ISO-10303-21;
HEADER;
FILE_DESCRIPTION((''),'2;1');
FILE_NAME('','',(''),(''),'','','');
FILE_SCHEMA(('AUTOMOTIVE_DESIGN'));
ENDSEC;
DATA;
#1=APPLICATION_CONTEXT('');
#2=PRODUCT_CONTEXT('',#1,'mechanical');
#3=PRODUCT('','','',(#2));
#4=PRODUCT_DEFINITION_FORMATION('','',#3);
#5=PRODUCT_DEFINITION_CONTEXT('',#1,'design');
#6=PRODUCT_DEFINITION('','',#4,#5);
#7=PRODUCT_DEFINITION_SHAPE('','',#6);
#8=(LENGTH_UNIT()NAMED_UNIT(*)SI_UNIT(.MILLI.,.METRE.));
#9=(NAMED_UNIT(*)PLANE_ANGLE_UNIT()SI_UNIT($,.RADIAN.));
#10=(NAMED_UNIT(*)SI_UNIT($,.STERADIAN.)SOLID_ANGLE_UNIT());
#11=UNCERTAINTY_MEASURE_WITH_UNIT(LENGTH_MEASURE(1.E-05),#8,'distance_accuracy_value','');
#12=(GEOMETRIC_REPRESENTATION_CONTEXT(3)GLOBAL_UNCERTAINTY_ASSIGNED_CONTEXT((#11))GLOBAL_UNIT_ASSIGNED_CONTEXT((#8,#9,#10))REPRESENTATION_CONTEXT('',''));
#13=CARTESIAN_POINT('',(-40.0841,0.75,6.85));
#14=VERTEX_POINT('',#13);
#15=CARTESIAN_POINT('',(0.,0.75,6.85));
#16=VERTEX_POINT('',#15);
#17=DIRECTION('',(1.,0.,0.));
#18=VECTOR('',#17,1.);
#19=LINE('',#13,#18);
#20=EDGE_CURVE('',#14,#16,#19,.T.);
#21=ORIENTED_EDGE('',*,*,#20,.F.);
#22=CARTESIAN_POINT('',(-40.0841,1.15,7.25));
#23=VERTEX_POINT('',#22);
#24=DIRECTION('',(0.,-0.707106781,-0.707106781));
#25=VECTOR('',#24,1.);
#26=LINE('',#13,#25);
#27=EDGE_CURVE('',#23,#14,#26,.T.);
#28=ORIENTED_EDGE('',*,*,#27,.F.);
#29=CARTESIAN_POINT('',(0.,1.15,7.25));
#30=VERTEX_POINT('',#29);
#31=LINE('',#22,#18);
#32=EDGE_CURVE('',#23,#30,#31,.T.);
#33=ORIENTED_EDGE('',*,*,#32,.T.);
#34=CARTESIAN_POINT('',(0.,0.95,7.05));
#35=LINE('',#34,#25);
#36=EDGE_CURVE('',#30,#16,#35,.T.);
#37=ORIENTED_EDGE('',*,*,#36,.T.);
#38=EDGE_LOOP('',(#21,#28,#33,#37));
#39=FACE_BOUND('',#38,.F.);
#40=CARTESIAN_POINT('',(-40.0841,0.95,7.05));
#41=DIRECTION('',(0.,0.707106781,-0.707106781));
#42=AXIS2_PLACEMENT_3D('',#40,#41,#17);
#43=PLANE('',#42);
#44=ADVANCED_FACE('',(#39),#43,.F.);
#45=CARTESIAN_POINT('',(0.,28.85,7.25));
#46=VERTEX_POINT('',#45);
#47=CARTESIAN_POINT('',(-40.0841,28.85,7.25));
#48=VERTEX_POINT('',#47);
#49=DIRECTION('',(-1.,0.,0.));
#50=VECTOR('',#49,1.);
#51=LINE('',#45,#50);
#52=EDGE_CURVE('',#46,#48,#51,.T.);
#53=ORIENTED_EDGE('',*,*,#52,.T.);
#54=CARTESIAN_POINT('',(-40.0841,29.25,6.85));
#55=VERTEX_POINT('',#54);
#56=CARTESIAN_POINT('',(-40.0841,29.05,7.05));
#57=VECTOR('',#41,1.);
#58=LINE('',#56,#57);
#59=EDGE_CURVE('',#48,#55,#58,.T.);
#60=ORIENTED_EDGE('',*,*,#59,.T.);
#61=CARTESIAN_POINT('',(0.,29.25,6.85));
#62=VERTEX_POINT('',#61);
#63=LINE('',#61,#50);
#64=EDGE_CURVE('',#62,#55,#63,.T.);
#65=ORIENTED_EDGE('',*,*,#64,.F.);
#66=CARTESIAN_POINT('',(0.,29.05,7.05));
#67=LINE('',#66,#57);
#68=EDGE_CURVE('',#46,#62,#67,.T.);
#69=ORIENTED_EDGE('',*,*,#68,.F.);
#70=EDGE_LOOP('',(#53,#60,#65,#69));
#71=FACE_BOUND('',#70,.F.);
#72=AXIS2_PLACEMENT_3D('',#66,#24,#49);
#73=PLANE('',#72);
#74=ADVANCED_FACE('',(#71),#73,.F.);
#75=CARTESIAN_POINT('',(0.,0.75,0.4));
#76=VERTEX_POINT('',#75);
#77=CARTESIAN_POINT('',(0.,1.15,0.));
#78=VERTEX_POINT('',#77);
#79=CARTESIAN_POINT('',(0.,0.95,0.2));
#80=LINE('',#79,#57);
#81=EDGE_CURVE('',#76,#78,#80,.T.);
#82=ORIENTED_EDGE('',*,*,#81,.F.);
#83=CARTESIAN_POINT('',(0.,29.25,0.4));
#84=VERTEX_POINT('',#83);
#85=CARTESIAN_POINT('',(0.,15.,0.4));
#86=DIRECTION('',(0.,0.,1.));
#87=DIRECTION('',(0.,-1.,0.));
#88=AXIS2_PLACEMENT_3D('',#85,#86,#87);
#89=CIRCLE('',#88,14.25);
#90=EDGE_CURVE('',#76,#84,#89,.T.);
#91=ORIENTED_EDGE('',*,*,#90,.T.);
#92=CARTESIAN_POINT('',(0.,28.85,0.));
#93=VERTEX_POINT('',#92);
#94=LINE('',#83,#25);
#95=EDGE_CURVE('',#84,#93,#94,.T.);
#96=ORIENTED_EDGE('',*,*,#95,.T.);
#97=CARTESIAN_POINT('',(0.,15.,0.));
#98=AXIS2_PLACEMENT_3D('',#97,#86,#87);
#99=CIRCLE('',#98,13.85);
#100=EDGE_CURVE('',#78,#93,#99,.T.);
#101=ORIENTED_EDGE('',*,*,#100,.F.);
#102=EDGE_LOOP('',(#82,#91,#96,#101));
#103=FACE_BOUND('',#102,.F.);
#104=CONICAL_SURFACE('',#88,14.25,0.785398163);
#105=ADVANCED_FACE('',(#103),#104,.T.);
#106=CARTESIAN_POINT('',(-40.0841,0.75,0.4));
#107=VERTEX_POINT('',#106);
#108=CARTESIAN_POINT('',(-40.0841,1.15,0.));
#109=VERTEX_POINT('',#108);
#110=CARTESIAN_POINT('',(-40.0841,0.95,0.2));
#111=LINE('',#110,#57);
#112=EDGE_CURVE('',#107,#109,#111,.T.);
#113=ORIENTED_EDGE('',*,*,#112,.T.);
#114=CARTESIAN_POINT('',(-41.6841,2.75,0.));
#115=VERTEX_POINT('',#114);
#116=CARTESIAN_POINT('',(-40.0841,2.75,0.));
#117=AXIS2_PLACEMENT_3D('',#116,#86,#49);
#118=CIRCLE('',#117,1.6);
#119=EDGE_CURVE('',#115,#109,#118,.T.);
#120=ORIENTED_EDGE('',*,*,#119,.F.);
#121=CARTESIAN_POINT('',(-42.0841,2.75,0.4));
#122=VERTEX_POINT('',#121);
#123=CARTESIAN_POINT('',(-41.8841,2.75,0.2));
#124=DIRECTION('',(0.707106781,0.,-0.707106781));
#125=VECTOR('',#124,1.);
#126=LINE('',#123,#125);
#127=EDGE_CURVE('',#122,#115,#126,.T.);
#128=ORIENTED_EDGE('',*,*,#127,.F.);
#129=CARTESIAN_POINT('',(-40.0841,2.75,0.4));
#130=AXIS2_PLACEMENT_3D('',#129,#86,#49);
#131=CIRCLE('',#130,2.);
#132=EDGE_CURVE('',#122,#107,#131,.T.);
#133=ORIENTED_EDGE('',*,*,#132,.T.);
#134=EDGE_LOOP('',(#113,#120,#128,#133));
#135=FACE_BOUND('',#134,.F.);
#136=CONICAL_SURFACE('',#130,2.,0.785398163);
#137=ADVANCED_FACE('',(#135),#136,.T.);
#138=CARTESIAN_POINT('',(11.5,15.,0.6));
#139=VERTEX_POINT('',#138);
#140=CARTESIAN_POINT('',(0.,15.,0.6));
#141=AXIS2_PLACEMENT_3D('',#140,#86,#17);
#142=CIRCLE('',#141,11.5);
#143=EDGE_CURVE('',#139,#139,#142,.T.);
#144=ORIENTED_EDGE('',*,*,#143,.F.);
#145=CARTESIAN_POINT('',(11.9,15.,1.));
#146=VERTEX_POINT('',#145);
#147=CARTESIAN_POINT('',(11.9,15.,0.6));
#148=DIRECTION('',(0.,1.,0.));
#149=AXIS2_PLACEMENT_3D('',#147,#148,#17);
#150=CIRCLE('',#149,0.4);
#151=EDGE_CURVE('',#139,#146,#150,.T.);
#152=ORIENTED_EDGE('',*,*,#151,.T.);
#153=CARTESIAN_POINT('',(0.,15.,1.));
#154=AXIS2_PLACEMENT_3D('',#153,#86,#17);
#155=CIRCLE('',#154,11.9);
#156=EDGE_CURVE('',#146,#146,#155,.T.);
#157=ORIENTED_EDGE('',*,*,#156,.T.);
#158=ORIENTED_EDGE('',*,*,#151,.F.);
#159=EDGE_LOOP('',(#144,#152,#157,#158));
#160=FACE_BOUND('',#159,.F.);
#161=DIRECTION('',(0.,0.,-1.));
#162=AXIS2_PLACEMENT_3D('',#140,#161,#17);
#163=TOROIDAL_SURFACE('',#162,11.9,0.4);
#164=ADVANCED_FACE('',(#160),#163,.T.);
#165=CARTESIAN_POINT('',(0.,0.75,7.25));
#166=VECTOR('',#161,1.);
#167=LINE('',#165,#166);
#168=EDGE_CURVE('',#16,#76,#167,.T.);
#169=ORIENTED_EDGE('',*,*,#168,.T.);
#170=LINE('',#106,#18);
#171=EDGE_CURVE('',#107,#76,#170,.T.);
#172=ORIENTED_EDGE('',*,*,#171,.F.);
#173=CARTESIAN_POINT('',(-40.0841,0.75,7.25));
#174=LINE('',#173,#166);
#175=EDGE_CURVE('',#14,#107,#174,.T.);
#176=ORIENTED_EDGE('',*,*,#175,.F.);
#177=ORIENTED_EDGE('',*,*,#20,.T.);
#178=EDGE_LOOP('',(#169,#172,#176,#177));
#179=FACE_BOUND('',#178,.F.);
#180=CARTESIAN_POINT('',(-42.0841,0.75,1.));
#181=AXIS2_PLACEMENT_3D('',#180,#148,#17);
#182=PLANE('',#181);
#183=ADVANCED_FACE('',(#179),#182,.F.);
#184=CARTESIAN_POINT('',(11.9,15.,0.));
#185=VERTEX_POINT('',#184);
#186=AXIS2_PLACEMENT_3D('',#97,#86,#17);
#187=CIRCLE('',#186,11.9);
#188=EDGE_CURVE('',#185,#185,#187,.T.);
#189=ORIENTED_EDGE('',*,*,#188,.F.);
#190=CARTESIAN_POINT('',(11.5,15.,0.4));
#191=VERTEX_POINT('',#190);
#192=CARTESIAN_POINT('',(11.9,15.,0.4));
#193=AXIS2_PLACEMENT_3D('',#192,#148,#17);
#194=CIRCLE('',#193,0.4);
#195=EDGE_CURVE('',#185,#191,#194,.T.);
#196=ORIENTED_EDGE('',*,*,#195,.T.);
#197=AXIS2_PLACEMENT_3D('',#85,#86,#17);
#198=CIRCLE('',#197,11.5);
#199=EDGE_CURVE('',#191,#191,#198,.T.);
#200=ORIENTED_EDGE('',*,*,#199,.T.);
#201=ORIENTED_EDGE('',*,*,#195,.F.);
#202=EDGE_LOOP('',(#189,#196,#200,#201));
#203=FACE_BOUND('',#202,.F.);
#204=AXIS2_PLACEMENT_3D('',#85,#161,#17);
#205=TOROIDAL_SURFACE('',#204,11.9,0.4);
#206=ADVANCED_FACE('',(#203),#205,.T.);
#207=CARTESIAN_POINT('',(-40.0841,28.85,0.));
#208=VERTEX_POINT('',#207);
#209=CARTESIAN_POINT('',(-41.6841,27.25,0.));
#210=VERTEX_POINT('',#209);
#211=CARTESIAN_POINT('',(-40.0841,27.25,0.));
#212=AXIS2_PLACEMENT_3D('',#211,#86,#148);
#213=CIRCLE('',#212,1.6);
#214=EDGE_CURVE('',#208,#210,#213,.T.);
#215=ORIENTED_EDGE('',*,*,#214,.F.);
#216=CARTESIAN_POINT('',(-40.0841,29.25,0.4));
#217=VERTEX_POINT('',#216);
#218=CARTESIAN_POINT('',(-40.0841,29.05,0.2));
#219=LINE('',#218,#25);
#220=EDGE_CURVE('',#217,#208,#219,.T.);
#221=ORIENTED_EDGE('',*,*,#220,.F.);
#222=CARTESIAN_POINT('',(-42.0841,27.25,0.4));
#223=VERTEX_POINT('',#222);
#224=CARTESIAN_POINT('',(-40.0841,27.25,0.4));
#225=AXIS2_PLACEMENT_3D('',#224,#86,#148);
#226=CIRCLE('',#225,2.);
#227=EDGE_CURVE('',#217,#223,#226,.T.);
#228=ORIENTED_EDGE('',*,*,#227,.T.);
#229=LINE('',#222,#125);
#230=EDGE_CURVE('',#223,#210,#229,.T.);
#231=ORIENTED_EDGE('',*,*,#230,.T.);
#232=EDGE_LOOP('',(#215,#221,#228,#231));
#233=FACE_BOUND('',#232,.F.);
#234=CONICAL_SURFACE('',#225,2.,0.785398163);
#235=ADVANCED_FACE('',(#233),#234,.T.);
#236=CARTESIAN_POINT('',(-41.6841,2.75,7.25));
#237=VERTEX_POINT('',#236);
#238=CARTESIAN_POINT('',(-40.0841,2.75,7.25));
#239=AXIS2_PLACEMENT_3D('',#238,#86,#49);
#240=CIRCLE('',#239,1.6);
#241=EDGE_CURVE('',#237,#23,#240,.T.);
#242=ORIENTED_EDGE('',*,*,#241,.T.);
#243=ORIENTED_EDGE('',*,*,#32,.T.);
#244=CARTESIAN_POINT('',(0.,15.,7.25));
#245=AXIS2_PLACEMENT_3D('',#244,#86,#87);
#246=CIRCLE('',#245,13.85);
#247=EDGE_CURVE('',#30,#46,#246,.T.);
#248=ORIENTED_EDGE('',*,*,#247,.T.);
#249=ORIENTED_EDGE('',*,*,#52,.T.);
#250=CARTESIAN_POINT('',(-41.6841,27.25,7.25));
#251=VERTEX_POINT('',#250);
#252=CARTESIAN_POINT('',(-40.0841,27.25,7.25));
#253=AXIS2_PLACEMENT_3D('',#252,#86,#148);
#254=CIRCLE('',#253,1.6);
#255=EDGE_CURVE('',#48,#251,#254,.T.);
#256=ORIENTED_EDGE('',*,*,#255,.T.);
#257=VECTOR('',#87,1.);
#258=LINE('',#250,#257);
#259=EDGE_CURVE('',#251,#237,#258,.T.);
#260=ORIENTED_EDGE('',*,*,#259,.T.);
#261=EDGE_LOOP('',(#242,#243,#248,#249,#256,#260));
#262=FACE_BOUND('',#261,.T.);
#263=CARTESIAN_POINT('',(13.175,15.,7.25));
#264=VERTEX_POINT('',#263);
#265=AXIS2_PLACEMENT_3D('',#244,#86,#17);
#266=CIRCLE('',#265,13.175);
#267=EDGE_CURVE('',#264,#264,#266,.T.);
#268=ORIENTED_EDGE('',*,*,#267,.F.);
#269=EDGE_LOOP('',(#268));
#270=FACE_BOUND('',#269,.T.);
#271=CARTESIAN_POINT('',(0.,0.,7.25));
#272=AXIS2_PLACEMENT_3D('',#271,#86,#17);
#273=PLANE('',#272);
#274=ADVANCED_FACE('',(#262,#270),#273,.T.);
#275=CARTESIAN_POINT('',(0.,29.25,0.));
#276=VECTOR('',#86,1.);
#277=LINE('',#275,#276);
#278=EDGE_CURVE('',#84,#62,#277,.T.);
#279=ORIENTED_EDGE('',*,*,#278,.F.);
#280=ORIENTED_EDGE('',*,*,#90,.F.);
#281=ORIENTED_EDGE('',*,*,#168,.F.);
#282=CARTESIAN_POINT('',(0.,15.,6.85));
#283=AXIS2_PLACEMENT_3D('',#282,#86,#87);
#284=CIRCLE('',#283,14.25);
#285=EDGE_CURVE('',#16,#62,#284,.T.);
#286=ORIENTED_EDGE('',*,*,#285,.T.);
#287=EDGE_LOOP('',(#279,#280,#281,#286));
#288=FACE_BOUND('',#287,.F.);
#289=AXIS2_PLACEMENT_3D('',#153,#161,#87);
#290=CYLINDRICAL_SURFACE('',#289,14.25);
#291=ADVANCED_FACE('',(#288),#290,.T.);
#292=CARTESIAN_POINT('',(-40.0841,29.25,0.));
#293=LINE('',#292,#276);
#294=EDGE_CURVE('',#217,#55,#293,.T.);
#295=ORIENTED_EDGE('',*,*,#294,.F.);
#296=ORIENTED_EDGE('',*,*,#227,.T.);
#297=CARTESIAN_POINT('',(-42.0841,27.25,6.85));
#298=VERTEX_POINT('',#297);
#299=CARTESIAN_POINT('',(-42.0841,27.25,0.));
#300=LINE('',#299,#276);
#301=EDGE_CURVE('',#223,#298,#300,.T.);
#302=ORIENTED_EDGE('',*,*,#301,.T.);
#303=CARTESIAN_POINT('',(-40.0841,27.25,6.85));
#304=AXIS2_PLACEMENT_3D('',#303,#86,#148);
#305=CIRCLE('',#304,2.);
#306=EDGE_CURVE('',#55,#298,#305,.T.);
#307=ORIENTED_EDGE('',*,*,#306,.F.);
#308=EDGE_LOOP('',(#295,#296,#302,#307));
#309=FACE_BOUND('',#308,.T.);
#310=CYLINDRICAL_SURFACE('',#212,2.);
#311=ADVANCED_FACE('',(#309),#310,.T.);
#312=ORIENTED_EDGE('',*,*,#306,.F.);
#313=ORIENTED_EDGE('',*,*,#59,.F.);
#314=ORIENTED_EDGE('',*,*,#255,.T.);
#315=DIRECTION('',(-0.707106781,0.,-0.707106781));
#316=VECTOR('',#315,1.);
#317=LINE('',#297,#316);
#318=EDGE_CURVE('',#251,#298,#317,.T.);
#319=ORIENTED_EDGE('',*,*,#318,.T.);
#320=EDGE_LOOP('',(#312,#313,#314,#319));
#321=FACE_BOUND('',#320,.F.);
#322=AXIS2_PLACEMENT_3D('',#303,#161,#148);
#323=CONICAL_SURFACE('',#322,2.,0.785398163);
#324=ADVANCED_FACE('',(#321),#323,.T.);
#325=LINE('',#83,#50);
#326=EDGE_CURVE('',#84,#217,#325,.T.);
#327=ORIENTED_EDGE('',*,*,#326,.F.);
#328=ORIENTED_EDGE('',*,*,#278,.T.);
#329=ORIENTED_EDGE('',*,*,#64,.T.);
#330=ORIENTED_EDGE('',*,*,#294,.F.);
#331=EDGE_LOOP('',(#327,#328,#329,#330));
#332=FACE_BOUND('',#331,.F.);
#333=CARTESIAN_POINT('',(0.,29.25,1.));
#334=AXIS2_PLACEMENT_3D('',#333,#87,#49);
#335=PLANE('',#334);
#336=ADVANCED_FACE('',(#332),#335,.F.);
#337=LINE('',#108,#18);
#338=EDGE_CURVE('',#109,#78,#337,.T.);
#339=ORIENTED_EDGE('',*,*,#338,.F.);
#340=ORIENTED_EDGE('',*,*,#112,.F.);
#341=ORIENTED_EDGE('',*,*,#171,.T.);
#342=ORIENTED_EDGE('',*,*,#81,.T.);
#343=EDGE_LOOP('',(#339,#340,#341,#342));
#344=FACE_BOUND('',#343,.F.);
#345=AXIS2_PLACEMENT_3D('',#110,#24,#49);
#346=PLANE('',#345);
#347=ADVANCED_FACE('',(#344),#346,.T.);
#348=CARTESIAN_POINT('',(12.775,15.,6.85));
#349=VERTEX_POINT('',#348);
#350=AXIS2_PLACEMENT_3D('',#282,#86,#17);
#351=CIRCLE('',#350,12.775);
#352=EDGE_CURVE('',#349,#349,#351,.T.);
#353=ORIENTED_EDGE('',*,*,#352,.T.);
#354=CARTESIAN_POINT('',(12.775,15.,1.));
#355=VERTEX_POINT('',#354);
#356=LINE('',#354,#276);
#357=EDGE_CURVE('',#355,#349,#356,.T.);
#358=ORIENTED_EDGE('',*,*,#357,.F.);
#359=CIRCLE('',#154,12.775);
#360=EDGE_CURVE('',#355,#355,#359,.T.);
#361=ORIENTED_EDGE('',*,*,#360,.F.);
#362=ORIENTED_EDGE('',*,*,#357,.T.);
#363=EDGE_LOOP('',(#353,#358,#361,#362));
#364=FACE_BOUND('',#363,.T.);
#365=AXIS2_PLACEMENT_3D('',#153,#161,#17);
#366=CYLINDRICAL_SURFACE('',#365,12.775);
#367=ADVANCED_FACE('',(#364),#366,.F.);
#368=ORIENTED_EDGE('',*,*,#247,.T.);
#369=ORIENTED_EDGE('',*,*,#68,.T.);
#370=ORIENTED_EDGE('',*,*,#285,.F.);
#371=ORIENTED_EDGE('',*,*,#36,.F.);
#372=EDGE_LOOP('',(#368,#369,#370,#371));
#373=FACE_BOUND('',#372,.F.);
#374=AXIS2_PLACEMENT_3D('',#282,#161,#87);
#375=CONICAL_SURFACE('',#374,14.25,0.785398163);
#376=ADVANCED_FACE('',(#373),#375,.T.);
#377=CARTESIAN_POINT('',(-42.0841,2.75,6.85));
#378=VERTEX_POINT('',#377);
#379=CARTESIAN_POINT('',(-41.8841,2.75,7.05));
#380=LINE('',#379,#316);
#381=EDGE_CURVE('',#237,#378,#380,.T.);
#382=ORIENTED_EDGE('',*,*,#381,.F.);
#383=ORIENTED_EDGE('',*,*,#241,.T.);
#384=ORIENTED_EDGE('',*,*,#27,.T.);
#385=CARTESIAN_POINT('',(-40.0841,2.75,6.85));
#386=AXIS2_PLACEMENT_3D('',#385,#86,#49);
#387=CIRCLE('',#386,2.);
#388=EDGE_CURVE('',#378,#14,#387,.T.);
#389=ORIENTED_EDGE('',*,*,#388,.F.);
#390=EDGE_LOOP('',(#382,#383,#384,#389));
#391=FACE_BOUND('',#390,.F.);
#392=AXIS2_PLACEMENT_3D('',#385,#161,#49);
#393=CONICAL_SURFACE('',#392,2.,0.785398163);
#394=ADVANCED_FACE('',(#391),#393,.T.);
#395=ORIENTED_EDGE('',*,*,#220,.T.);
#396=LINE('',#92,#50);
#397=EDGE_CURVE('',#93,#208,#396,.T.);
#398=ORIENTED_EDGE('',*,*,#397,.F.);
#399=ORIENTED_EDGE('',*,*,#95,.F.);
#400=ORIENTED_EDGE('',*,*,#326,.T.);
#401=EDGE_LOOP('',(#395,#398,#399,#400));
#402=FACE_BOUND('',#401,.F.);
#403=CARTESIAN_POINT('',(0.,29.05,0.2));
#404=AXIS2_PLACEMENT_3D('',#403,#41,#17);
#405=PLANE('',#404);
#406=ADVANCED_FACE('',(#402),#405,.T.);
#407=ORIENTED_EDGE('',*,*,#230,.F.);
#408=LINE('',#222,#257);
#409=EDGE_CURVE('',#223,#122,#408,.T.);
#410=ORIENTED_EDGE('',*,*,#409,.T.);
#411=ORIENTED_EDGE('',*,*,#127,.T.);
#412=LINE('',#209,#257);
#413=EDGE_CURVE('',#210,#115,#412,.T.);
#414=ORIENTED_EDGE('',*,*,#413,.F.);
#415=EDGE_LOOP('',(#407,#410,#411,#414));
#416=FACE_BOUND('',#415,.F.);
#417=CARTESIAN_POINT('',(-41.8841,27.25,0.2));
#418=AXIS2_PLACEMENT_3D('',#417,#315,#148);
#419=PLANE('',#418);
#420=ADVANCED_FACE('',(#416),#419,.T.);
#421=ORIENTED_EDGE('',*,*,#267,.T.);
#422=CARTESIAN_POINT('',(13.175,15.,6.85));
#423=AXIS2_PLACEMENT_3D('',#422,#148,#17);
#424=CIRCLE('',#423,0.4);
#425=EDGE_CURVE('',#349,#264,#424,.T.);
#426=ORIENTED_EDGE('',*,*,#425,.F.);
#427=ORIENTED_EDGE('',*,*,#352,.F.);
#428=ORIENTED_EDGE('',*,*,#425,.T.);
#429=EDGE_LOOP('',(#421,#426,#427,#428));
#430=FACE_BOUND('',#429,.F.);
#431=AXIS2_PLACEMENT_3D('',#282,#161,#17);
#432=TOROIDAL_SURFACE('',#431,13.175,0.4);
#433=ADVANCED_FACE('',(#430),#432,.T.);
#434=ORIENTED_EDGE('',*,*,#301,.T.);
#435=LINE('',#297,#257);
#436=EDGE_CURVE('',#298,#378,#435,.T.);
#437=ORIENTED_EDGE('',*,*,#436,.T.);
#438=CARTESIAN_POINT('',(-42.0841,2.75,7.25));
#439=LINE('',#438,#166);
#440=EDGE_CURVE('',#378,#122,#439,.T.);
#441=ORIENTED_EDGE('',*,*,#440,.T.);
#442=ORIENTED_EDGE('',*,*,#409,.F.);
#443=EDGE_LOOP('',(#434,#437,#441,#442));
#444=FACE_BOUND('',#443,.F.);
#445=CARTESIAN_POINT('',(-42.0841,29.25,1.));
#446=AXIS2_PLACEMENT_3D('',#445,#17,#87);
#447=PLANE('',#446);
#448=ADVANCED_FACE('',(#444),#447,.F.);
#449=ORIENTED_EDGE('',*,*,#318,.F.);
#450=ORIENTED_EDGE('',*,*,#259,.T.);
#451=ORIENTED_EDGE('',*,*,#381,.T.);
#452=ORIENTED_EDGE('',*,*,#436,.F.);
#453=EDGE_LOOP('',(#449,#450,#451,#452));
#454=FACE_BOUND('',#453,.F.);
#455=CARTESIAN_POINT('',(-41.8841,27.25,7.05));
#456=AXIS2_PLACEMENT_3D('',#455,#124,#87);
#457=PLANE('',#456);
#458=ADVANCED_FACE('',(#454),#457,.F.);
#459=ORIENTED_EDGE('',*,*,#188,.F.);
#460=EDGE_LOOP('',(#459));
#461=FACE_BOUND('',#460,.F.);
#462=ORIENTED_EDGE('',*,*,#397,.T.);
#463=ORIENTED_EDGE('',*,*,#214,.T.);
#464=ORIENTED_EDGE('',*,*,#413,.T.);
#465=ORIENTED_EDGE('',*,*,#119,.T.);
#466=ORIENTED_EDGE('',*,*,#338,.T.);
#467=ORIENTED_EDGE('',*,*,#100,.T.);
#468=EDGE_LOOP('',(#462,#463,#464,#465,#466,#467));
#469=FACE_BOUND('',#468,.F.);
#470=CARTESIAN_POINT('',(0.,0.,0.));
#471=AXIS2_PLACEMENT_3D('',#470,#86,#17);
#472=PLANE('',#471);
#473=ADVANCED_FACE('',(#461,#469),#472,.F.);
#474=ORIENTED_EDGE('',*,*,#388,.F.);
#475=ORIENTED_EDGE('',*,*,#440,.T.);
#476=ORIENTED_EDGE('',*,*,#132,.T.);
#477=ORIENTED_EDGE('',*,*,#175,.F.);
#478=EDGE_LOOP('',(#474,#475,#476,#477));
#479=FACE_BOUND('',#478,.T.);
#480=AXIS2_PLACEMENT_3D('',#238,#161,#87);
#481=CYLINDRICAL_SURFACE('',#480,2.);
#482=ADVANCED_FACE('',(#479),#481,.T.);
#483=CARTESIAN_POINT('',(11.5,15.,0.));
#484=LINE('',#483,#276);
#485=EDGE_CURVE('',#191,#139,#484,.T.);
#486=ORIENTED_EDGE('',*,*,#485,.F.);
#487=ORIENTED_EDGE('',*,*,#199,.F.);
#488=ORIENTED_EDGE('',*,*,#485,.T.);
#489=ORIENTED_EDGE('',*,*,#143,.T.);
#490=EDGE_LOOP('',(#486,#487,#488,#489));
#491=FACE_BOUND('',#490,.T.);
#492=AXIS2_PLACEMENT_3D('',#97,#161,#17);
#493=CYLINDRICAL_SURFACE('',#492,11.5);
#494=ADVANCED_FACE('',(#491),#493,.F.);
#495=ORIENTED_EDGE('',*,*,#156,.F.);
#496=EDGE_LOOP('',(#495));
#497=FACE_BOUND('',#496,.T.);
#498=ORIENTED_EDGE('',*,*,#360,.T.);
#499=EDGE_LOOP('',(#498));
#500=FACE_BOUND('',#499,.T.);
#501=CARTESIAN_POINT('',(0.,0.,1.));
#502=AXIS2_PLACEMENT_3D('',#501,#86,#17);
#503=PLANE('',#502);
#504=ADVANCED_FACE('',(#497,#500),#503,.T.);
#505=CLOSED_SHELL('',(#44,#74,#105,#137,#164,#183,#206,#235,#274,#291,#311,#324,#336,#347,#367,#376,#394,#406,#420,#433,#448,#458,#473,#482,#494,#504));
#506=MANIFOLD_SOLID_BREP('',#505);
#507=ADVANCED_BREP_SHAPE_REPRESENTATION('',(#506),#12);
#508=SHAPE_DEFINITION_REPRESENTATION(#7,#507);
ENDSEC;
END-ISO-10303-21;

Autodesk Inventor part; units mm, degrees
ref_plane "YZ Plane" through (0, 0, 0) normal (1, 0, 0) x (0, 1, 0)
ref_plane "XZ Plane" through (0, 0, 0) normal (0, 1, 0) x (-1, 0, 0)
ref_plane "XY Plane" through (0, 0, 0) normal (0, 0, 1) x (1, 0, 0)
ref_plane "Work Plane1" through (0, 0, 0) normal (0, 0, 1) x (1, 0, 0)
sketch "Sketch1" plane through (0, 0, 0) normal (0, 0, 1) x (1, 0, 0)
  arc A0 (-18.155, 30) -> (-18.155, 0) centre (0, 15) ccw construction
  line L0 (-18.155, 0) -> (-3.4871, 0) construction
  line L1 (-18.155, 30) -> (-3.4871, 30) construction
  circle A1 centre (0, 15) radius 15.4 construction
  arc A2 (-6.5238, 29.25) -> (-6.5238, 0.75) centre (0, 15) ccw construction
  line L2 (-6.5238, 0.75) -> (-17.7982, 0.75) construction
  arc A3 (-17.7982, 29.25) -> (-17.7982, 0.75) centre (0, 15) ccw construction
  line L3 (-17.7982, 29.25) -> (-6.5238, 29.25) construction
  circle A4 centre (0, 15) radius 12.775 construction
  line L4 (-6.5238, 29.25) -> (0, 29.25) construction
  line L5 (-6.5238, 0.75) -> (0, 0.75) construction
  arc A5 (0, 0.75) -> (0, 29.25) centre (0, 15) ccw construction
  line L6 (-42.0841, 29.25) -> (-42.0841, 0.75)
  line L7 (-42.0841, 0.75) -> (0, 0.75)
  line L8 (-42.0841, 29.25) -> (0, 29.25)
  circle A6 centre (0, 15) radius 11.5
  arc A7 (0, 0.75) -> (0, 29.25) centre (0, 15) ccw
  arc A8 (-3.4871, 0) -> (3.4871, 0) centre (0, 15) ccw
  line L9 (3.4871, 0) -> (18, 0)
  line L10 (18, 0) -> (18, 30)
  line L11 (3.4871, 30) -> (18, 30)
  arc A9 (3.4871, 30) -> (-3.4871, 30) centre (0, 15) ccw
  line L12 (-7.3927, 28.5095) -> (7.3927, 28.5095)
  arc A10 (7.3927, 1.4905) -> (7.3927, 28.5095) centre (0, 15) ccw
  line L13 (7.3927, 1.4905) -> (-7.3927, 1.4905)
  arc A11 (-7.3927, 28.5095) -> (-7.3927, 1.4905) centre (0, 15) ccw
  point P0 (0, 0)
  dimension "d0" = 0.75
  dimension "d1" = 25.55
  dimension "d2" = 23
extrude "Extrusion1" add sketch "Sketch1" along normal blind 1 contours L8 A7 L12 A11 L13 L7 L6 | A7 L13 A11 L12
sketch "Sketch2" plane through (0, 0, 1) normal (0, 0, 1) x (1, 0, 0)
  circle A0 centre (0, 15) radius 11.5
  line L0 (0, 29.25) -> (-42.0841, 29.25)
  line L1 (-42.0841, 29.25) -> (-42.0841, 0.75)
  line L2 (-42.0841, 0.75) -> (0, 0.75)
  arc A1 (0, 0.75) -> (0, 29.25) centre (0, 15) ccw
  circle A2 centre (0, 15) radius 12.775
  point P0 (0, 0)
  dimension "d5" = 25.55
extrude "Extrusion2" add sketch "Sketch2" along normal blind 6.25 contours A1 L2 L1 L0
fillet "Rundung1" radius 2 2 edges at (-42.0841, 0.75, 3.625) (-42.0841, 29.25, 3.625)
chamfer "Fasen1" distance 0.4 angle 45 6 edges at (-20.0421, 29.25, 7.25) (-41.4983, 28.6642, 7.25) (-42.0841, 15, 7.25) (-41.4983, 1.3358, 7.25) (-20.0421, 0.75, 7.25) (14.25, 15, 7.25)
chamfer "Fasen2" distance 0.4 angle 45 6 edges at (-20.0421, 0.75, 0) (14.25, 15, 0) (-20.0421, 29.25, 0) (-41.4983, 28.6642, 0) (-42.0841, 15, 0) (-41.4983, 1.3358, 0)
fillet "Rundung2" radius 0.4 1 edges at (-11.5, 15, 0)
fillet "Rundung3" radius 0.4 1 edges at (-11.5, 15, 1)
fillet "Rundung4" radius 0.4 1 edges at (-12.775, 15, 7.25)
properties part number "10_Filteslide_25mm"
